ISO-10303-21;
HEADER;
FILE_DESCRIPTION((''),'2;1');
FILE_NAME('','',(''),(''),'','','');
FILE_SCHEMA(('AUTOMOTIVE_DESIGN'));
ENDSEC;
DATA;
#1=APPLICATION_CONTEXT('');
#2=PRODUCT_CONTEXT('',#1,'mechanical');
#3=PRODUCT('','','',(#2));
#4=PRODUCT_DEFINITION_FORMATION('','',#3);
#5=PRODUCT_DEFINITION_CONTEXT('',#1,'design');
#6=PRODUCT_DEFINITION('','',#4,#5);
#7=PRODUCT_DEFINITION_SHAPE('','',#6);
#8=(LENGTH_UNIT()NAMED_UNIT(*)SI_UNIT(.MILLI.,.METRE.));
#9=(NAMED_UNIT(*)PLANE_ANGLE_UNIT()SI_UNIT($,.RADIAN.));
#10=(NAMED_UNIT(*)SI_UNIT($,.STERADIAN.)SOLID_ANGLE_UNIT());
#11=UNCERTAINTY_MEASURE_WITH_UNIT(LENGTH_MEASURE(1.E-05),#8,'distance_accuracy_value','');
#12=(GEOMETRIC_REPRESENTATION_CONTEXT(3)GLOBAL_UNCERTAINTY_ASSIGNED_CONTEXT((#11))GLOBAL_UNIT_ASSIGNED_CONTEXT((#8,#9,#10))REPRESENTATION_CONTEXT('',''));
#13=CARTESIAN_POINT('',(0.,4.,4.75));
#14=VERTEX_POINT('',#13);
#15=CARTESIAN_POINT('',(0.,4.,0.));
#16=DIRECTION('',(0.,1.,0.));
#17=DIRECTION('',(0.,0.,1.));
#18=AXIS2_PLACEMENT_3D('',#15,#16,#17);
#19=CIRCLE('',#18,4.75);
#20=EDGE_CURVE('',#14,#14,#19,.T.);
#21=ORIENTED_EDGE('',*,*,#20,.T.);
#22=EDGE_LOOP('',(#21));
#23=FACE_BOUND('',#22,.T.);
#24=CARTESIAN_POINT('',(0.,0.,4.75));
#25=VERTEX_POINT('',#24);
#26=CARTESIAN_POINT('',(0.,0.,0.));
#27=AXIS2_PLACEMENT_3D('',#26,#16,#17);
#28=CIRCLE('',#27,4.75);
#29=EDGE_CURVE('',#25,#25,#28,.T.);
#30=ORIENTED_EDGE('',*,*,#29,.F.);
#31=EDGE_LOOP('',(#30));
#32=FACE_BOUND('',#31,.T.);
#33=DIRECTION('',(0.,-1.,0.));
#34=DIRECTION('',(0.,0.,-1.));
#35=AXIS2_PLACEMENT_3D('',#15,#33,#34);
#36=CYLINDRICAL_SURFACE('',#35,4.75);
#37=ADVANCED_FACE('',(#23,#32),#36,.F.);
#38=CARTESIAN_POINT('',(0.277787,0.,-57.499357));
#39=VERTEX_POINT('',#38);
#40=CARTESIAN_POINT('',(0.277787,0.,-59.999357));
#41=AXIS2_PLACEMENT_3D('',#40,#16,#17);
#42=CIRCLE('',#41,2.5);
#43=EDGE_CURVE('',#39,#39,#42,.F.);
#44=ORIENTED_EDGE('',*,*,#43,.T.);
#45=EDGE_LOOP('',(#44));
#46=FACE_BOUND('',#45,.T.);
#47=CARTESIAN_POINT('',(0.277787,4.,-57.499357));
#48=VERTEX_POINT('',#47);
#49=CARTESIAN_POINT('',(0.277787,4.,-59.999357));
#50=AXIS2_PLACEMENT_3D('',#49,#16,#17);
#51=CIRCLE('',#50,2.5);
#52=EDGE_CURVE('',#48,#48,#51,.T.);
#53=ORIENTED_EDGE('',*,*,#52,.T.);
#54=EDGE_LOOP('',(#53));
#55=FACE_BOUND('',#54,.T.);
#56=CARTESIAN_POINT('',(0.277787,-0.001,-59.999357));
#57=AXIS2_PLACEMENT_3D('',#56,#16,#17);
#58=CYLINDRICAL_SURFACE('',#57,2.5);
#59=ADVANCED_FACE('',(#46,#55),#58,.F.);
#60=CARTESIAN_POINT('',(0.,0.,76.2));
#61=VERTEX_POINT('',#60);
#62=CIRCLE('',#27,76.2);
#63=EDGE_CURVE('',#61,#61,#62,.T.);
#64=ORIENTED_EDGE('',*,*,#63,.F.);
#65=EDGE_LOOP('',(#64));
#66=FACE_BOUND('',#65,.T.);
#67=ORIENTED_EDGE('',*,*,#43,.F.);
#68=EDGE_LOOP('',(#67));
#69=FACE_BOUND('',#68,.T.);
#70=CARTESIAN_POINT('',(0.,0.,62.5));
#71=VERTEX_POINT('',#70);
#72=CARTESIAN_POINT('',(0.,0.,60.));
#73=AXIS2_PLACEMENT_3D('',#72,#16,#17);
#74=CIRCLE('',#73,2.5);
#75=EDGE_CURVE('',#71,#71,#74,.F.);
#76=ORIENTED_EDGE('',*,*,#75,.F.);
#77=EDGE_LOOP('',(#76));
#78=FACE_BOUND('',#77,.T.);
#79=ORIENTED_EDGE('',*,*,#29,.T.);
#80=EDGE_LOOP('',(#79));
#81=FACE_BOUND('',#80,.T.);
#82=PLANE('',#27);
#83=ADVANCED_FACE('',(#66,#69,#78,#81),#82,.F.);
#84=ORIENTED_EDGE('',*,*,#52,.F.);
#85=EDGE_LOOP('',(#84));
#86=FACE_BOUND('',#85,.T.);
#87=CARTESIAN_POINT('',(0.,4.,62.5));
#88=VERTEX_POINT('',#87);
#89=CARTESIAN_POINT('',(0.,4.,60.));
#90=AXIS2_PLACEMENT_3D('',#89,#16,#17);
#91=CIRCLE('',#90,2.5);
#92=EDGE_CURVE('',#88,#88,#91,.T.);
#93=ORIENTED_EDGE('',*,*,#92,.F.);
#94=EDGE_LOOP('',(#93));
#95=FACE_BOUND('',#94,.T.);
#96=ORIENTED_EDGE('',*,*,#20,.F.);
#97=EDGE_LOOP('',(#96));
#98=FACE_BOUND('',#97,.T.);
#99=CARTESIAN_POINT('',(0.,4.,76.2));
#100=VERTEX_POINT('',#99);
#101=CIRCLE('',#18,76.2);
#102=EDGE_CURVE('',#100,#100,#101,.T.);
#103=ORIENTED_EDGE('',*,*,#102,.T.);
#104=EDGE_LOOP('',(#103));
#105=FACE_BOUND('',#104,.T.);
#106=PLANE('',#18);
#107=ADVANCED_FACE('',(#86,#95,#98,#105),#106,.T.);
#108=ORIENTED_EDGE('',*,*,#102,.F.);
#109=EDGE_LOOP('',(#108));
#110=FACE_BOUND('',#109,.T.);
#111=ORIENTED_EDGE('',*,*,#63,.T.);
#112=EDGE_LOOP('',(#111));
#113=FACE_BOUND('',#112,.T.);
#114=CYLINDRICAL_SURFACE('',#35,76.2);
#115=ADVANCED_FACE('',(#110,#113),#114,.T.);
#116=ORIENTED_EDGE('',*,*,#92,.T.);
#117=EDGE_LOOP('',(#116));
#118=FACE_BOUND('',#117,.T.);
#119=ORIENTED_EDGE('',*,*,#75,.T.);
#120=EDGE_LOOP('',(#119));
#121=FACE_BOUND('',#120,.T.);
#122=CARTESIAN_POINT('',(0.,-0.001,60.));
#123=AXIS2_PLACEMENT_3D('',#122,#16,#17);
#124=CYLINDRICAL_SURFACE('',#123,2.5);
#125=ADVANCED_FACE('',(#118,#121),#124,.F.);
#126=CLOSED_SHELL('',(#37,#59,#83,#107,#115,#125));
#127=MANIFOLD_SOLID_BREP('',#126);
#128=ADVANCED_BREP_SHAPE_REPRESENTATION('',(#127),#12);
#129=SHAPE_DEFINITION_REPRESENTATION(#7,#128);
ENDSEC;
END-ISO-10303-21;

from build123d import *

# Parameters (mm, degrees)
SKETCH1_R           = 76.2
SKETCH1_R_2         = 4.75
BOSS_EXTRUDE1_DEPTH = 4
CUT_EXTRUDE1_REACH  = 109.837
SKETCH2_R           = 2.5


with BuildPart() as part:
    # Sketch1 → Boss-Extrude1 (new body)
    with BuildSketch(Plane(origin=(0, 0, 0), x_dir=(1, 0, 0), z_dir=(0, 1, 0))):
        with Locations(Location((0, 0, 0), (0, 0, 270))):
            Circle(SKETCH1_R)
        with Locations(Location((0, 0, 0), (0, 0, 270))):
            Circle(SKETCH1_R_2, mode=Mode.SUBTRACT)
    extrude(amount=BOSS_EXTRUDE1_DEPTH)

    # Sketch2 → Cut-Extrude1 (cut, up to next)
    with BuildSketch(Plane(origin=(0, 4, 0), x_dir=(1, 0, 0), z_dir=(0, 1, 0)), mode=Mode.PRIVATE) as cut_extrude1_sk1:
        with Locations(Location((0, -60, 0), (0, 0, 270))):
            Circle(SKETCH2_R)
    cut_extrude1_tool1 = extrude(cut_extrude1_sk1.sketch, amount=-CUT_EXTRUDE1_REACH, mode=Mode.PRIVATE) & part.part
    # Sketch2 → Cut-Extrude1 (cut, up to next)
    with BuildSketch(Plane(origin=(0, 4, 0), x_dir=(1, 0, 0), z_dir=(0, 1, 0)), mode=Mode.PRIVATE) as cut_extrude1_sk2:
        with Locations(Location((0.27778693, 59.99935695, 0), (0, 0, 270))):
            Circle(SKETCH2_R)
    cut_extrude1_tool2 = extrude(cut_extrude1_sk2.sketch, amount=-CUT_EXTRUDE1_REACH, mode=Mode.PRIVATE) & part.part
    add(cut_extrude1_tool1.solids().sort_by_distance((0, 4, 60))[0], mode=Mode.SUBTRACT)
    add(cut_extrude1_tool2.solids().sort_by_distance((0.277787, 4, -59.999357))[0], mode=Mode.SUBTRACT)


solid = part.part
